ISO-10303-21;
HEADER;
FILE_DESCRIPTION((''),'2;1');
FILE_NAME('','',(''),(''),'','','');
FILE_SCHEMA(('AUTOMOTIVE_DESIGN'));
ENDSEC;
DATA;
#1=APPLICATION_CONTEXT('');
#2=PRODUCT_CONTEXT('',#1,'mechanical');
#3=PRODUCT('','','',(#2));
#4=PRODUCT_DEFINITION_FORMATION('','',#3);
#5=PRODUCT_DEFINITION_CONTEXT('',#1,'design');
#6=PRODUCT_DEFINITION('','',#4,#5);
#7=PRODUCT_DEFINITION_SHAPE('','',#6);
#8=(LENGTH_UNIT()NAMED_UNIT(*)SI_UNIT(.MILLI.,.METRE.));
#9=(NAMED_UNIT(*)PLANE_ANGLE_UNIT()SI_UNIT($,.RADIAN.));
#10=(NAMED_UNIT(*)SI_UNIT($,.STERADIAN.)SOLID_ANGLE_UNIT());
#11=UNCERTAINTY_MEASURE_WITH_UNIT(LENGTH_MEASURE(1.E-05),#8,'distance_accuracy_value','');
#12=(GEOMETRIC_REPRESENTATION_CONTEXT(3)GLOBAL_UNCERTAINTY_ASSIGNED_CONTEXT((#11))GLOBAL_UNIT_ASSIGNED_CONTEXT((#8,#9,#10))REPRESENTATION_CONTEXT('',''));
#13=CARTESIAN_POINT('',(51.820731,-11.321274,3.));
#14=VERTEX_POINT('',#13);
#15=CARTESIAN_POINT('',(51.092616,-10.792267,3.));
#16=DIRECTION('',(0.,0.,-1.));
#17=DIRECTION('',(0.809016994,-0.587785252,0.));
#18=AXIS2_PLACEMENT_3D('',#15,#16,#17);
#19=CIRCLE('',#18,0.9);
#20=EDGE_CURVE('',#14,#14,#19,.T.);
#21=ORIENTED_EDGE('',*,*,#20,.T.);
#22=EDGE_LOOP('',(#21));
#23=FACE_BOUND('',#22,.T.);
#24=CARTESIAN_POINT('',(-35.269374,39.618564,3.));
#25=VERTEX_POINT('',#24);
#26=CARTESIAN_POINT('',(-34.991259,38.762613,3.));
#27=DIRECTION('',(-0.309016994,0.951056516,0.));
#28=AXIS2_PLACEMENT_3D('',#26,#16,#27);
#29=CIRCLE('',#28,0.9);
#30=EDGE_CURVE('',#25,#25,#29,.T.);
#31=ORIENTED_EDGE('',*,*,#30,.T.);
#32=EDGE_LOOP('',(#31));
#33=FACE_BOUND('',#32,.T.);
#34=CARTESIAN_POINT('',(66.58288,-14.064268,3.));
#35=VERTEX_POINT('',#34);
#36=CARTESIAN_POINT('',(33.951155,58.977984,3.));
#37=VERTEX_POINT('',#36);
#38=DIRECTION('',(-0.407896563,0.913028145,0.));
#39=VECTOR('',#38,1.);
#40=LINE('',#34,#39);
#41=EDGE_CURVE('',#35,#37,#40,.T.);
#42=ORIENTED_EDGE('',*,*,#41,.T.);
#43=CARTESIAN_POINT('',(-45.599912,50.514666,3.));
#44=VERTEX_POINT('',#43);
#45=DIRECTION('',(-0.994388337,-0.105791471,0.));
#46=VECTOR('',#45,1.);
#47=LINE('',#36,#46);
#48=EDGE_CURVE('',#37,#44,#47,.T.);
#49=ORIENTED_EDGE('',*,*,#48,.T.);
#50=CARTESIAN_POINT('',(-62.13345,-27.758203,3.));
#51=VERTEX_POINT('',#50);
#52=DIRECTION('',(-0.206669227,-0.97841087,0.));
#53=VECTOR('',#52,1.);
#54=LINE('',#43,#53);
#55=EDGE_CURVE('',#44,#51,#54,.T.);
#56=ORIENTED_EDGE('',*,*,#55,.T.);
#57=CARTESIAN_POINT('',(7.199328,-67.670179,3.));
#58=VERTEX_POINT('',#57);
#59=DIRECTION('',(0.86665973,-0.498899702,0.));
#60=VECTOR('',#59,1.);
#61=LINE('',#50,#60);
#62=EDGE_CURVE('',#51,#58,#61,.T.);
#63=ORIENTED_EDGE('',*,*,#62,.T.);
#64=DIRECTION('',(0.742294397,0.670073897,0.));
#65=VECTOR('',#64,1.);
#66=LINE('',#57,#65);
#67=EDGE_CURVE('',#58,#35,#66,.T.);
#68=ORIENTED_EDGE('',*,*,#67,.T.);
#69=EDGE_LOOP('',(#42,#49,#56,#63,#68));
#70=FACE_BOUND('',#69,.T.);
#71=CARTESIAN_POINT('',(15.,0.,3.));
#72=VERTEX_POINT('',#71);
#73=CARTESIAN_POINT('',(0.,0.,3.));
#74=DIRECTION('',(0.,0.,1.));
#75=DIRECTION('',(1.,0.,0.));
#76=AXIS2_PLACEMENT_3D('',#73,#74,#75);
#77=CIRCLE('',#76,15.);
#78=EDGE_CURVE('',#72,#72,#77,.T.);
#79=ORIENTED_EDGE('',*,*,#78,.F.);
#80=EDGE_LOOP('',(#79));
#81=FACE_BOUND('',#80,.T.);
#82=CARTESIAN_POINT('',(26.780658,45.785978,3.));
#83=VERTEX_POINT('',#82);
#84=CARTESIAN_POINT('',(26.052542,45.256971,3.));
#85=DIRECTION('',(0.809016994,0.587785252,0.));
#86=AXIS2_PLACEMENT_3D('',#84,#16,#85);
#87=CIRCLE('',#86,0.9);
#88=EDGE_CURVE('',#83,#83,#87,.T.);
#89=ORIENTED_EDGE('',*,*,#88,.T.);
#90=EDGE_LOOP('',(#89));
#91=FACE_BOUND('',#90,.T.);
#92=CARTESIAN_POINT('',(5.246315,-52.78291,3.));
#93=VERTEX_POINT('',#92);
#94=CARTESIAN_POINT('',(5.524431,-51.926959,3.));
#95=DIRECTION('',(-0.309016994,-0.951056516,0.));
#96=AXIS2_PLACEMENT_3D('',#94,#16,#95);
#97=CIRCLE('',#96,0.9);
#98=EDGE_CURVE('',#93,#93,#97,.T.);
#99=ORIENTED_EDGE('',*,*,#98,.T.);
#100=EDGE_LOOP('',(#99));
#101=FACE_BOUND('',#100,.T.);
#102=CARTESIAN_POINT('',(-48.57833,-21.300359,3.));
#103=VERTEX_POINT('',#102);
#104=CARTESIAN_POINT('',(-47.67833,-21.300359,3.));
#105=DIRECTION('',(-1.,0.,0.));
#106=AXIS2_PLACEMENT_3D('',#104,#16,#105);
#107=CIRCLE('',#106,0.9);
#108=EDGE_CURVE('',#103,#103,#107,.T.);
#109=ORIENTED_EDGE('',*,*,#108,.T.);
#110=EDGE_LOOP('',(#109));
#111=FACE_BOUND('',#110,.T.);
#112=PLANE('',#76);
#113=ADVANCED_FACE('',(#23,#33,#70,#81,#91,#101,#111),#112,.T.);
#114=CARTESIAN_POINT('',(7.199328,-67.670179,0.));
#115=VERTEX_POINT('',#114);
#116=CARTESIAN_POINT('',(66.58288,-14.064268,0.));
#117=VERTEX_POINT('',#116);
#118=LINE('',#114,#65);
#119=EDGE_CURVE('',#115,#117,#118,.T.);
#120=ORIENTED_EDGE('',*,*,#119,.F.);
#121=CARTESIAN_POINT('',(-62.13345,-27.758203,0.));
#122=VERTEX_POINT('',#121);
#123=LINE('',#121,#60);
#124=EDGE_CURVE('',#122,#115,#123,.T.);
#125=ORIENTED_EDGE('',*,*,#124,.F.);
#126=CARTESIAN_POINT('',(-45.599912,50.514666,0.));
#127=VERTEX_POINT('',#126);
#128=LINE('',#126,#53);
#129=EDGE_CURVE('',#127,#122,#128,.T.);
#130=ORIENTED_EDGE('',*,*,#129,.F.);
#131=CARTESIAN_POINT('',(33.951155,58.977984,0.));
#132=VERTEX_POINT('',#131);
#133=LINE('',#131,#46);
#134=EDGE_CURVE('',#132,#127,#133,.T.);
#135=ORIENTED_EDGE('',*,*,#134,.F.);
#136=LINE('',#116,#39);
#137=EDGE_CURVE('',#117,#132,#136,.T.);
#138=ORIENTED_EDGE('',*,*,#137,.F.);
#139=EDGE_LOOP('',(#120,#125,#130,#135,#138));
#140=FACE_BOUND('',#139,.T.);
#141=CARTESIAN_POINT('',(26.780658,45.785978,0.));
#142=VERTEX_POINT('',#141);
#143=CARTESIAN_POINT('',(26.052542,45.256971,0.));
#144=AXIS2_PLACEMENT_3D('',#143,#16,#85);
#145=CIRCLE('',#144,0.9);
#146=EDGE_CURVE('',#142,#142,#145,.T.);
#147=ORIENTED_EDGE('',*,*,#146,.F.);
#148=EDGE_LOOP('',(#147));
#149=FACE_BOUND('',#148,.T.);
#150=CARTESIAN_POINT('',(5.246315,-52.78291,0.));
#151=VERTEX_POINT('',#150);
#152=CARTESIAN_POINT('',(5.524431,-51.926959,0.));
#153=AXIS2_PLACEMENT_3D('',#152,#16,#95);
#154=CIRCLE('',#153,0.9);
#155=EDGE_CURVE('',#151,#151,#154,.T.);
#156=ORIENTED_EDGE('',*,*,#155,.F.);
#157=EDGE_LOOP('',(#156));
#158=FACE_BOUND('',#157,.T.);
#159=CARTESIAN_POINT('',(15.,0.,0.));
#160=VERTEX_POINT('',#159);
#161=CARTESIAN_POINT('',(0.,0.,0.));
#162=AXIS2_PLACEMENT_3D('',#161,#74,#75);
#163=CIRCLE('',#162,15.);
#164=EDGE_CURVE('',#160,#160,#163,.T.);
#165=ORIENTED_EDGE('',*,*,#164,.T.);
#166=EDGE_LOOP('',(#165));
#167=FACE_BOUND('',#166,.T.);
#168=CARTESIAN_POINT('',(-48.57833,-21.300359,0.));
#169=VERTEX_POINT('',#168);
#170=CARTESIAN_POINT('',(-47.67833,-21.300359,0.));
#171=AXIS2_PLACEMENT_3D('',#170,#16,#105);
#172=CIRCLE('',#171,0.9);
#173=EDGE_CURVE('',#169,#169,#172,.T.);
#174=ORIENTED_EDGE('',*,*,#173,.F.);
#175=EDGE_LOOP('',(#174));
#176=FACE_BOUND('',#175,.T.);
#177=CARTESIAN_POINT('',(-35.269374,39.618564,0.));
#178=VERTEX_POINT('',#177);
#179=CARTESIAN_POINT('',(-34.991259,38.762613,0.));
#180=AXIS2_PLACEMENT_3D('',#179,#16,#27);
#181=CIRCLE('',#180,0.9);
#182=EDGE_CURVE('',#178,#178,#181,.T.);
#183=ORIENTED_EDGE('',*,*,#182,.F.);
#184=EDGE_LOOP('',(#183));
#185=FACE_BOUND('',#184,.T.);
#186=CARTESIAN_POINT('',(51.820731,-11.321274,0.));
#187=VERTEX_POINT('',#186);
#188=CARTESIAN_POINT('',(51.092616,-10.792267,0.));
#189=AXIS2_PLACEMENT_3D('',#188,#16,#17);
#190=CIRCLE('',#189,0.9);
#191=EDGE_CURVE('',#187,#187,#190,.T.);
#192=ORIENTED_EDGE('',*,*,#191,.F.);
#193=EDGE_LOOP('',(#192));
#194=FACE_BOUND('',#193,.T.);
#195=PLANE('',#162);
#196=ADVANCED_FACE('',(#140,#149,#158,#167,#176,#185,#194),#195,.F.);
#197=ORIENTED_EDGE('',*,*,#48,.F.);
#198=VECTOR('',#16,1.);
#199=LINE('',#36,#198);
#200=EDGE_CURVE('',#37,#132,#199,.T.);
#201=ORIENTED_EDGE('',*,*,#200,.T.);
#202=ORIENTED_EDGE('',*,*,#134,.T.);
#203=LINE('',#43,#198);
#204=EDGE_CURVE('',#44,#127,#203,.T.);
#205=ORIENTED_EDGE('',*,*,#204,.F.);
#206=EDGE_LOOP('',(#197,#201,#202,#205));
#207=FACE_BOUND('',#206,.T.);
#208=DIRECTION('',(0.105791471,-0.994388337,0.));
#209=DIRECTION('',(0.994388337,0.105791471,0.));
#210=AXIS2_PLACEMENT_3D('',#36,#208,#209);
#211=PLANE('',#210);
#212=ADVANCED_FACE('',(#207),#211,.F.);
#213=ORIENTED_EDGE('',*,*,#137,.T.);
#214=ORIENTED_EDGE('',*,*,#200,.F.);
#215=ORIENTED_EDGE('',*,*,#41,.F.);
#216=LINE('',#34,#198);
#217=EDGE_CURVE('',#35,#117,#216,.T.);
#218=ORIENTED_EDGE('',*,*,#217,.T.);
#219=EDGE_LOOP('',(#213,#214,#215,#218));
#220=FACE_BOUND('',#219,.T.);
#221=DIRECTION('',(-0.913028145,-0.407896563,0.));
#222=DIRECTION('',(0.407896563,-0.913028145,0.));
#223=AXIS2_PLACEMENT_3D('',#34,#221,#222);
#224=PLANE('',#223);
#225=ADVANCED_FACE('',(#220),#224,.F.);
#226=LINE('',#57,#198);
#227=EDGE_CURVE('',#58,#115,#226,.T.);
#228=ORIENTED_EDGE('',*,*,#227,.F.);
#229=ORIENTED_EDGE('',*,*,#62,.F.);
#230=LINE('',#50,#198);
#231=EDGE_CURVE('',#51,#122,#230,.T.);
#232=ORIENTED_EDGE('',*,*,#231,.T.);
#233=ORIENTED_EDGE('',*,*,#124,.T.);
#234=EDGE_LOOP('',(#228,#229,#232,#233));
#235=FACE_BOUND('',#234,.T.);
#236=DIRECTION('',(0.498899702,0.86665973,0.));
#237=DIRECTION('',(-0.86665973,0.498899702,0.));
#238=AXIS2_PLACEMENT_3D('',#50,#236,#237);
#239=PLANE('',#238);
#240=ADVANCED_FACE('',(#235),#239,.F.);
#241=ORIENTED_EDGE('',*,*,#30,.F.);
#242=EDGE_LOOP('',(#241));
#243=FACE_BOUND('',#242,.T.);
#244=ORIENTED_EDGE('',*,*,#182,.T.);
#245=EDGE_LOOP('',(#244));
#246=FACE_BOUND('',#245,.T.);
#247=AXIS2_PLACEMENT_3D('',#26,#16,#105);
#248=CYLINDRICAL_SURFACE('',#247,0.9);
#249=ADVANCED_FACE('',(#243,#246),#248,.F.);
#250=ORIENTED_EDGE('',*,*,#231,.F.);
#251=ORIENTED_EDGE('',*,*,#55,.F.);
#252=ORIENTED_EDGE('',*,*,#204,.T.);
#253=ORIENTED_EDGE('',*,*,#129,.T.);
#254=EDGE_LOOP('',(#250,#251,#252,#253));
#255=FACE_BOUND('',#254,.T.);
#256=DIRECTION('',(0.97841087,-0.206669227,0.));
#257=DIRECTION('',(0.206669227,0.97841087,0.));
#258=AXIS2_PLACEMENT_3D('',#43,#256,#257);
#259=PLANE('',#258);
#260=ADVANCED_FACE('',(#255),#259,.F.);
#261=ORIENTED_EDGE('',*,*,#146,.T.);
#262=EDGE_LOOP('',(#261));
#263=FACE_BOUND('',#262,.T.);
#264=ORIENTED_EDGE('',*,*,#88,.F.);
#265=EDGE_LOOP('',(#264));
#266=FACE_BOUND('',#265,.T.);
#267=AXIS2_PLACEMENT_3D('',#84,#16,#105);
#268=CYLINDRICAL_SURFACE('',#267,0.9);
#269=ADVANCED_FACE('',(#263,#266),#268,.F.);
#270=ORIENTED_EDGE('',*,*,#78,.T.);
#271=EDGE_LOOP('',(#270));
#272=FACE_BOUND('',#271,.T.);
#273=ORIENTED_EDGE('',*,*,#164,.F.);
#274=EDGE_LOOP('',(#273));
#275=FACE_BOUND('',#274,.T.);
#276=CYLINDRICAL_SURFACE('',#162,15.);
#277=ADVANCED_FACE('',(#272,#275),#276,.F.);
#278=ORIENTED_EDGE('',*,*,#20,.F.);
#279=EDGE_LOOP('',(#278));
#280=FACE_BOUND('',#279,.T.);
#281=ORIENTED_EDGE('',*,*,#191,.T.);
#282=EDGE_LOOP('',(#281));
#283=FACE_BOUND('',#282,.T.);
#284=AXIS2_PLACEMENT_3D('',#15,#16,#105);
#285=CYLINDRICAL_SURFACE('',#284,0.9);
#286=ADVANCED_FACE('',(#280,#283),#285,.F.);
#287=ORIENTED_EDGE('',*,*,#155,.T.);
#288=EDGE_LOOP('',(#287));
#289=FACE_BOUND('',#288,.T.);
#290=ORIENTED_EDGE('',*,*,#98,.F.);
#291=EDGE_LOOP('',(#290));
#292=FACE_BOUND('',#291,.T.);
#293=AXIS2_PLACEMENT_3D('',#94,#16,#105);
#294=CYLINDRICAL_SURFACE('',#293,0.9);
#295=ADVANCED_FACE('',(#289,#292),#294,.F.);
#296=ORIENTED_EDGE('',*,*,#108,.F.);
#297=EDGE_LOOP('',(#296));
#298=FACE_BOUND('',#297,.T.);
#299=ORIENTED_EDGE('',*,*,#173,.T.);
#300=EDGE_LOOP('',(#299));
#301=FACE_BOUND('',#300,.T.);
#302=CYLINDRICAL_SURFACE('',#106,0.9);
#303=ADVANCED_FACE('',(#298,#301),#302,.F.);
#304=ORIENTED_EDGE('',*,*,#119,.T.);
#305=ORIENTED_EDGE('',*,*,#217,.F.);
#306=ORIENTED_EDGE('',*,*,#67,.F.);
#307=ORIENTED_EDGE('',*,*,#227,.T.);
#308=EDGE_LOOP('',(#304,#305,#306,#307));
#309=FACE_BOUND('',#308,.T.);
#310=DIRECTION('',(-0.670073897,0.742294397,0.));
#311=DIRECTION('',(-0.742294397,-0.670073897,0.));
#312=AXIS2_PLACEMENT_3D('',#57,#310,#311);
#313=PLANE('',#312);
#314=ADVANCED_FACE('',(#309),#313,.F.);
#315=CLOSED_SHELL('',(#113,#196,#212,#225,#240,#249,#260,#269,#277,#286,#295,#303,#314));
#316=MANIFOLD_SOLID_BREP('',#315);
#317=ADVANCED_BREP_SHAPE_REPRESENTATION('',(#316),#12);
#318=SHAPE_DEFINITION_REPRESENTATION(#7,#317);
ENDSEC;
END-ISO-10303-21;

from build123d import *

# Parameters (mm, degrees)
BOSS_EXTRUDE1_DEPTH = 3
SKETCH3_R           = 15
CUT_EXTRUDE1_DEPTH  = 3
SKETCH4_R           = 0.9
CUT_EXTRUDE2_DEPTH  = 3
CIRPATTERN1_COUNT   = 5


with BuildPart() as part:
    # Sketch1 → Boss-Extrude1 (new body)
    with BuildSketch(Plane.XY):
        Polygon((-62.133450379, -27.758203286), (7.199328029, -67.670179411), (66.582879797, -14.064267615), (33.951154754, 58.977983998), (-45.599912202, 50.514666314), align=None)
    extrude(amount=BOSS_EXTRUDE1_DEPTH)

    # Sketch3 → Cut-Extrude1 (cut)
    with BuildSketch(Plane.XY.offset(3)):
        Circle(SKETCH3_R)
    extrude(amount=-CUT_EXTRUDE1_DEPTH, mode=Mode.SUBTRACT)

    # Sketch4 → Cut-Extrude2 (cut)
    with BuildSketch(Plane(origin=(0, 0, 0), x_dir=(-1, 0, 0), z_dir=(0, 0, -1))):
        with Locations((47.678329741, -21.300358522)):
            Circle(SKETCH4_R)
    cut_extrude2 = extrude(amount=-CUT_EXTRUDE2_DEPTH, mode=Mode.SUBTRACT)

    # CirPattern1: Cut-Extrude2 ×5 about axis
    cirpattern1_axis = Axis((0, 0, 0), (0, 0, 1))
    for i in range(1, CIRPATTERN1_COUNT):
        add(cut_extrude2.rotate(cirpattern1_axis, i * 360 / CIRPATTERN1_COUNT), mode=Mode.SUBTRACT)


solid = part.part
